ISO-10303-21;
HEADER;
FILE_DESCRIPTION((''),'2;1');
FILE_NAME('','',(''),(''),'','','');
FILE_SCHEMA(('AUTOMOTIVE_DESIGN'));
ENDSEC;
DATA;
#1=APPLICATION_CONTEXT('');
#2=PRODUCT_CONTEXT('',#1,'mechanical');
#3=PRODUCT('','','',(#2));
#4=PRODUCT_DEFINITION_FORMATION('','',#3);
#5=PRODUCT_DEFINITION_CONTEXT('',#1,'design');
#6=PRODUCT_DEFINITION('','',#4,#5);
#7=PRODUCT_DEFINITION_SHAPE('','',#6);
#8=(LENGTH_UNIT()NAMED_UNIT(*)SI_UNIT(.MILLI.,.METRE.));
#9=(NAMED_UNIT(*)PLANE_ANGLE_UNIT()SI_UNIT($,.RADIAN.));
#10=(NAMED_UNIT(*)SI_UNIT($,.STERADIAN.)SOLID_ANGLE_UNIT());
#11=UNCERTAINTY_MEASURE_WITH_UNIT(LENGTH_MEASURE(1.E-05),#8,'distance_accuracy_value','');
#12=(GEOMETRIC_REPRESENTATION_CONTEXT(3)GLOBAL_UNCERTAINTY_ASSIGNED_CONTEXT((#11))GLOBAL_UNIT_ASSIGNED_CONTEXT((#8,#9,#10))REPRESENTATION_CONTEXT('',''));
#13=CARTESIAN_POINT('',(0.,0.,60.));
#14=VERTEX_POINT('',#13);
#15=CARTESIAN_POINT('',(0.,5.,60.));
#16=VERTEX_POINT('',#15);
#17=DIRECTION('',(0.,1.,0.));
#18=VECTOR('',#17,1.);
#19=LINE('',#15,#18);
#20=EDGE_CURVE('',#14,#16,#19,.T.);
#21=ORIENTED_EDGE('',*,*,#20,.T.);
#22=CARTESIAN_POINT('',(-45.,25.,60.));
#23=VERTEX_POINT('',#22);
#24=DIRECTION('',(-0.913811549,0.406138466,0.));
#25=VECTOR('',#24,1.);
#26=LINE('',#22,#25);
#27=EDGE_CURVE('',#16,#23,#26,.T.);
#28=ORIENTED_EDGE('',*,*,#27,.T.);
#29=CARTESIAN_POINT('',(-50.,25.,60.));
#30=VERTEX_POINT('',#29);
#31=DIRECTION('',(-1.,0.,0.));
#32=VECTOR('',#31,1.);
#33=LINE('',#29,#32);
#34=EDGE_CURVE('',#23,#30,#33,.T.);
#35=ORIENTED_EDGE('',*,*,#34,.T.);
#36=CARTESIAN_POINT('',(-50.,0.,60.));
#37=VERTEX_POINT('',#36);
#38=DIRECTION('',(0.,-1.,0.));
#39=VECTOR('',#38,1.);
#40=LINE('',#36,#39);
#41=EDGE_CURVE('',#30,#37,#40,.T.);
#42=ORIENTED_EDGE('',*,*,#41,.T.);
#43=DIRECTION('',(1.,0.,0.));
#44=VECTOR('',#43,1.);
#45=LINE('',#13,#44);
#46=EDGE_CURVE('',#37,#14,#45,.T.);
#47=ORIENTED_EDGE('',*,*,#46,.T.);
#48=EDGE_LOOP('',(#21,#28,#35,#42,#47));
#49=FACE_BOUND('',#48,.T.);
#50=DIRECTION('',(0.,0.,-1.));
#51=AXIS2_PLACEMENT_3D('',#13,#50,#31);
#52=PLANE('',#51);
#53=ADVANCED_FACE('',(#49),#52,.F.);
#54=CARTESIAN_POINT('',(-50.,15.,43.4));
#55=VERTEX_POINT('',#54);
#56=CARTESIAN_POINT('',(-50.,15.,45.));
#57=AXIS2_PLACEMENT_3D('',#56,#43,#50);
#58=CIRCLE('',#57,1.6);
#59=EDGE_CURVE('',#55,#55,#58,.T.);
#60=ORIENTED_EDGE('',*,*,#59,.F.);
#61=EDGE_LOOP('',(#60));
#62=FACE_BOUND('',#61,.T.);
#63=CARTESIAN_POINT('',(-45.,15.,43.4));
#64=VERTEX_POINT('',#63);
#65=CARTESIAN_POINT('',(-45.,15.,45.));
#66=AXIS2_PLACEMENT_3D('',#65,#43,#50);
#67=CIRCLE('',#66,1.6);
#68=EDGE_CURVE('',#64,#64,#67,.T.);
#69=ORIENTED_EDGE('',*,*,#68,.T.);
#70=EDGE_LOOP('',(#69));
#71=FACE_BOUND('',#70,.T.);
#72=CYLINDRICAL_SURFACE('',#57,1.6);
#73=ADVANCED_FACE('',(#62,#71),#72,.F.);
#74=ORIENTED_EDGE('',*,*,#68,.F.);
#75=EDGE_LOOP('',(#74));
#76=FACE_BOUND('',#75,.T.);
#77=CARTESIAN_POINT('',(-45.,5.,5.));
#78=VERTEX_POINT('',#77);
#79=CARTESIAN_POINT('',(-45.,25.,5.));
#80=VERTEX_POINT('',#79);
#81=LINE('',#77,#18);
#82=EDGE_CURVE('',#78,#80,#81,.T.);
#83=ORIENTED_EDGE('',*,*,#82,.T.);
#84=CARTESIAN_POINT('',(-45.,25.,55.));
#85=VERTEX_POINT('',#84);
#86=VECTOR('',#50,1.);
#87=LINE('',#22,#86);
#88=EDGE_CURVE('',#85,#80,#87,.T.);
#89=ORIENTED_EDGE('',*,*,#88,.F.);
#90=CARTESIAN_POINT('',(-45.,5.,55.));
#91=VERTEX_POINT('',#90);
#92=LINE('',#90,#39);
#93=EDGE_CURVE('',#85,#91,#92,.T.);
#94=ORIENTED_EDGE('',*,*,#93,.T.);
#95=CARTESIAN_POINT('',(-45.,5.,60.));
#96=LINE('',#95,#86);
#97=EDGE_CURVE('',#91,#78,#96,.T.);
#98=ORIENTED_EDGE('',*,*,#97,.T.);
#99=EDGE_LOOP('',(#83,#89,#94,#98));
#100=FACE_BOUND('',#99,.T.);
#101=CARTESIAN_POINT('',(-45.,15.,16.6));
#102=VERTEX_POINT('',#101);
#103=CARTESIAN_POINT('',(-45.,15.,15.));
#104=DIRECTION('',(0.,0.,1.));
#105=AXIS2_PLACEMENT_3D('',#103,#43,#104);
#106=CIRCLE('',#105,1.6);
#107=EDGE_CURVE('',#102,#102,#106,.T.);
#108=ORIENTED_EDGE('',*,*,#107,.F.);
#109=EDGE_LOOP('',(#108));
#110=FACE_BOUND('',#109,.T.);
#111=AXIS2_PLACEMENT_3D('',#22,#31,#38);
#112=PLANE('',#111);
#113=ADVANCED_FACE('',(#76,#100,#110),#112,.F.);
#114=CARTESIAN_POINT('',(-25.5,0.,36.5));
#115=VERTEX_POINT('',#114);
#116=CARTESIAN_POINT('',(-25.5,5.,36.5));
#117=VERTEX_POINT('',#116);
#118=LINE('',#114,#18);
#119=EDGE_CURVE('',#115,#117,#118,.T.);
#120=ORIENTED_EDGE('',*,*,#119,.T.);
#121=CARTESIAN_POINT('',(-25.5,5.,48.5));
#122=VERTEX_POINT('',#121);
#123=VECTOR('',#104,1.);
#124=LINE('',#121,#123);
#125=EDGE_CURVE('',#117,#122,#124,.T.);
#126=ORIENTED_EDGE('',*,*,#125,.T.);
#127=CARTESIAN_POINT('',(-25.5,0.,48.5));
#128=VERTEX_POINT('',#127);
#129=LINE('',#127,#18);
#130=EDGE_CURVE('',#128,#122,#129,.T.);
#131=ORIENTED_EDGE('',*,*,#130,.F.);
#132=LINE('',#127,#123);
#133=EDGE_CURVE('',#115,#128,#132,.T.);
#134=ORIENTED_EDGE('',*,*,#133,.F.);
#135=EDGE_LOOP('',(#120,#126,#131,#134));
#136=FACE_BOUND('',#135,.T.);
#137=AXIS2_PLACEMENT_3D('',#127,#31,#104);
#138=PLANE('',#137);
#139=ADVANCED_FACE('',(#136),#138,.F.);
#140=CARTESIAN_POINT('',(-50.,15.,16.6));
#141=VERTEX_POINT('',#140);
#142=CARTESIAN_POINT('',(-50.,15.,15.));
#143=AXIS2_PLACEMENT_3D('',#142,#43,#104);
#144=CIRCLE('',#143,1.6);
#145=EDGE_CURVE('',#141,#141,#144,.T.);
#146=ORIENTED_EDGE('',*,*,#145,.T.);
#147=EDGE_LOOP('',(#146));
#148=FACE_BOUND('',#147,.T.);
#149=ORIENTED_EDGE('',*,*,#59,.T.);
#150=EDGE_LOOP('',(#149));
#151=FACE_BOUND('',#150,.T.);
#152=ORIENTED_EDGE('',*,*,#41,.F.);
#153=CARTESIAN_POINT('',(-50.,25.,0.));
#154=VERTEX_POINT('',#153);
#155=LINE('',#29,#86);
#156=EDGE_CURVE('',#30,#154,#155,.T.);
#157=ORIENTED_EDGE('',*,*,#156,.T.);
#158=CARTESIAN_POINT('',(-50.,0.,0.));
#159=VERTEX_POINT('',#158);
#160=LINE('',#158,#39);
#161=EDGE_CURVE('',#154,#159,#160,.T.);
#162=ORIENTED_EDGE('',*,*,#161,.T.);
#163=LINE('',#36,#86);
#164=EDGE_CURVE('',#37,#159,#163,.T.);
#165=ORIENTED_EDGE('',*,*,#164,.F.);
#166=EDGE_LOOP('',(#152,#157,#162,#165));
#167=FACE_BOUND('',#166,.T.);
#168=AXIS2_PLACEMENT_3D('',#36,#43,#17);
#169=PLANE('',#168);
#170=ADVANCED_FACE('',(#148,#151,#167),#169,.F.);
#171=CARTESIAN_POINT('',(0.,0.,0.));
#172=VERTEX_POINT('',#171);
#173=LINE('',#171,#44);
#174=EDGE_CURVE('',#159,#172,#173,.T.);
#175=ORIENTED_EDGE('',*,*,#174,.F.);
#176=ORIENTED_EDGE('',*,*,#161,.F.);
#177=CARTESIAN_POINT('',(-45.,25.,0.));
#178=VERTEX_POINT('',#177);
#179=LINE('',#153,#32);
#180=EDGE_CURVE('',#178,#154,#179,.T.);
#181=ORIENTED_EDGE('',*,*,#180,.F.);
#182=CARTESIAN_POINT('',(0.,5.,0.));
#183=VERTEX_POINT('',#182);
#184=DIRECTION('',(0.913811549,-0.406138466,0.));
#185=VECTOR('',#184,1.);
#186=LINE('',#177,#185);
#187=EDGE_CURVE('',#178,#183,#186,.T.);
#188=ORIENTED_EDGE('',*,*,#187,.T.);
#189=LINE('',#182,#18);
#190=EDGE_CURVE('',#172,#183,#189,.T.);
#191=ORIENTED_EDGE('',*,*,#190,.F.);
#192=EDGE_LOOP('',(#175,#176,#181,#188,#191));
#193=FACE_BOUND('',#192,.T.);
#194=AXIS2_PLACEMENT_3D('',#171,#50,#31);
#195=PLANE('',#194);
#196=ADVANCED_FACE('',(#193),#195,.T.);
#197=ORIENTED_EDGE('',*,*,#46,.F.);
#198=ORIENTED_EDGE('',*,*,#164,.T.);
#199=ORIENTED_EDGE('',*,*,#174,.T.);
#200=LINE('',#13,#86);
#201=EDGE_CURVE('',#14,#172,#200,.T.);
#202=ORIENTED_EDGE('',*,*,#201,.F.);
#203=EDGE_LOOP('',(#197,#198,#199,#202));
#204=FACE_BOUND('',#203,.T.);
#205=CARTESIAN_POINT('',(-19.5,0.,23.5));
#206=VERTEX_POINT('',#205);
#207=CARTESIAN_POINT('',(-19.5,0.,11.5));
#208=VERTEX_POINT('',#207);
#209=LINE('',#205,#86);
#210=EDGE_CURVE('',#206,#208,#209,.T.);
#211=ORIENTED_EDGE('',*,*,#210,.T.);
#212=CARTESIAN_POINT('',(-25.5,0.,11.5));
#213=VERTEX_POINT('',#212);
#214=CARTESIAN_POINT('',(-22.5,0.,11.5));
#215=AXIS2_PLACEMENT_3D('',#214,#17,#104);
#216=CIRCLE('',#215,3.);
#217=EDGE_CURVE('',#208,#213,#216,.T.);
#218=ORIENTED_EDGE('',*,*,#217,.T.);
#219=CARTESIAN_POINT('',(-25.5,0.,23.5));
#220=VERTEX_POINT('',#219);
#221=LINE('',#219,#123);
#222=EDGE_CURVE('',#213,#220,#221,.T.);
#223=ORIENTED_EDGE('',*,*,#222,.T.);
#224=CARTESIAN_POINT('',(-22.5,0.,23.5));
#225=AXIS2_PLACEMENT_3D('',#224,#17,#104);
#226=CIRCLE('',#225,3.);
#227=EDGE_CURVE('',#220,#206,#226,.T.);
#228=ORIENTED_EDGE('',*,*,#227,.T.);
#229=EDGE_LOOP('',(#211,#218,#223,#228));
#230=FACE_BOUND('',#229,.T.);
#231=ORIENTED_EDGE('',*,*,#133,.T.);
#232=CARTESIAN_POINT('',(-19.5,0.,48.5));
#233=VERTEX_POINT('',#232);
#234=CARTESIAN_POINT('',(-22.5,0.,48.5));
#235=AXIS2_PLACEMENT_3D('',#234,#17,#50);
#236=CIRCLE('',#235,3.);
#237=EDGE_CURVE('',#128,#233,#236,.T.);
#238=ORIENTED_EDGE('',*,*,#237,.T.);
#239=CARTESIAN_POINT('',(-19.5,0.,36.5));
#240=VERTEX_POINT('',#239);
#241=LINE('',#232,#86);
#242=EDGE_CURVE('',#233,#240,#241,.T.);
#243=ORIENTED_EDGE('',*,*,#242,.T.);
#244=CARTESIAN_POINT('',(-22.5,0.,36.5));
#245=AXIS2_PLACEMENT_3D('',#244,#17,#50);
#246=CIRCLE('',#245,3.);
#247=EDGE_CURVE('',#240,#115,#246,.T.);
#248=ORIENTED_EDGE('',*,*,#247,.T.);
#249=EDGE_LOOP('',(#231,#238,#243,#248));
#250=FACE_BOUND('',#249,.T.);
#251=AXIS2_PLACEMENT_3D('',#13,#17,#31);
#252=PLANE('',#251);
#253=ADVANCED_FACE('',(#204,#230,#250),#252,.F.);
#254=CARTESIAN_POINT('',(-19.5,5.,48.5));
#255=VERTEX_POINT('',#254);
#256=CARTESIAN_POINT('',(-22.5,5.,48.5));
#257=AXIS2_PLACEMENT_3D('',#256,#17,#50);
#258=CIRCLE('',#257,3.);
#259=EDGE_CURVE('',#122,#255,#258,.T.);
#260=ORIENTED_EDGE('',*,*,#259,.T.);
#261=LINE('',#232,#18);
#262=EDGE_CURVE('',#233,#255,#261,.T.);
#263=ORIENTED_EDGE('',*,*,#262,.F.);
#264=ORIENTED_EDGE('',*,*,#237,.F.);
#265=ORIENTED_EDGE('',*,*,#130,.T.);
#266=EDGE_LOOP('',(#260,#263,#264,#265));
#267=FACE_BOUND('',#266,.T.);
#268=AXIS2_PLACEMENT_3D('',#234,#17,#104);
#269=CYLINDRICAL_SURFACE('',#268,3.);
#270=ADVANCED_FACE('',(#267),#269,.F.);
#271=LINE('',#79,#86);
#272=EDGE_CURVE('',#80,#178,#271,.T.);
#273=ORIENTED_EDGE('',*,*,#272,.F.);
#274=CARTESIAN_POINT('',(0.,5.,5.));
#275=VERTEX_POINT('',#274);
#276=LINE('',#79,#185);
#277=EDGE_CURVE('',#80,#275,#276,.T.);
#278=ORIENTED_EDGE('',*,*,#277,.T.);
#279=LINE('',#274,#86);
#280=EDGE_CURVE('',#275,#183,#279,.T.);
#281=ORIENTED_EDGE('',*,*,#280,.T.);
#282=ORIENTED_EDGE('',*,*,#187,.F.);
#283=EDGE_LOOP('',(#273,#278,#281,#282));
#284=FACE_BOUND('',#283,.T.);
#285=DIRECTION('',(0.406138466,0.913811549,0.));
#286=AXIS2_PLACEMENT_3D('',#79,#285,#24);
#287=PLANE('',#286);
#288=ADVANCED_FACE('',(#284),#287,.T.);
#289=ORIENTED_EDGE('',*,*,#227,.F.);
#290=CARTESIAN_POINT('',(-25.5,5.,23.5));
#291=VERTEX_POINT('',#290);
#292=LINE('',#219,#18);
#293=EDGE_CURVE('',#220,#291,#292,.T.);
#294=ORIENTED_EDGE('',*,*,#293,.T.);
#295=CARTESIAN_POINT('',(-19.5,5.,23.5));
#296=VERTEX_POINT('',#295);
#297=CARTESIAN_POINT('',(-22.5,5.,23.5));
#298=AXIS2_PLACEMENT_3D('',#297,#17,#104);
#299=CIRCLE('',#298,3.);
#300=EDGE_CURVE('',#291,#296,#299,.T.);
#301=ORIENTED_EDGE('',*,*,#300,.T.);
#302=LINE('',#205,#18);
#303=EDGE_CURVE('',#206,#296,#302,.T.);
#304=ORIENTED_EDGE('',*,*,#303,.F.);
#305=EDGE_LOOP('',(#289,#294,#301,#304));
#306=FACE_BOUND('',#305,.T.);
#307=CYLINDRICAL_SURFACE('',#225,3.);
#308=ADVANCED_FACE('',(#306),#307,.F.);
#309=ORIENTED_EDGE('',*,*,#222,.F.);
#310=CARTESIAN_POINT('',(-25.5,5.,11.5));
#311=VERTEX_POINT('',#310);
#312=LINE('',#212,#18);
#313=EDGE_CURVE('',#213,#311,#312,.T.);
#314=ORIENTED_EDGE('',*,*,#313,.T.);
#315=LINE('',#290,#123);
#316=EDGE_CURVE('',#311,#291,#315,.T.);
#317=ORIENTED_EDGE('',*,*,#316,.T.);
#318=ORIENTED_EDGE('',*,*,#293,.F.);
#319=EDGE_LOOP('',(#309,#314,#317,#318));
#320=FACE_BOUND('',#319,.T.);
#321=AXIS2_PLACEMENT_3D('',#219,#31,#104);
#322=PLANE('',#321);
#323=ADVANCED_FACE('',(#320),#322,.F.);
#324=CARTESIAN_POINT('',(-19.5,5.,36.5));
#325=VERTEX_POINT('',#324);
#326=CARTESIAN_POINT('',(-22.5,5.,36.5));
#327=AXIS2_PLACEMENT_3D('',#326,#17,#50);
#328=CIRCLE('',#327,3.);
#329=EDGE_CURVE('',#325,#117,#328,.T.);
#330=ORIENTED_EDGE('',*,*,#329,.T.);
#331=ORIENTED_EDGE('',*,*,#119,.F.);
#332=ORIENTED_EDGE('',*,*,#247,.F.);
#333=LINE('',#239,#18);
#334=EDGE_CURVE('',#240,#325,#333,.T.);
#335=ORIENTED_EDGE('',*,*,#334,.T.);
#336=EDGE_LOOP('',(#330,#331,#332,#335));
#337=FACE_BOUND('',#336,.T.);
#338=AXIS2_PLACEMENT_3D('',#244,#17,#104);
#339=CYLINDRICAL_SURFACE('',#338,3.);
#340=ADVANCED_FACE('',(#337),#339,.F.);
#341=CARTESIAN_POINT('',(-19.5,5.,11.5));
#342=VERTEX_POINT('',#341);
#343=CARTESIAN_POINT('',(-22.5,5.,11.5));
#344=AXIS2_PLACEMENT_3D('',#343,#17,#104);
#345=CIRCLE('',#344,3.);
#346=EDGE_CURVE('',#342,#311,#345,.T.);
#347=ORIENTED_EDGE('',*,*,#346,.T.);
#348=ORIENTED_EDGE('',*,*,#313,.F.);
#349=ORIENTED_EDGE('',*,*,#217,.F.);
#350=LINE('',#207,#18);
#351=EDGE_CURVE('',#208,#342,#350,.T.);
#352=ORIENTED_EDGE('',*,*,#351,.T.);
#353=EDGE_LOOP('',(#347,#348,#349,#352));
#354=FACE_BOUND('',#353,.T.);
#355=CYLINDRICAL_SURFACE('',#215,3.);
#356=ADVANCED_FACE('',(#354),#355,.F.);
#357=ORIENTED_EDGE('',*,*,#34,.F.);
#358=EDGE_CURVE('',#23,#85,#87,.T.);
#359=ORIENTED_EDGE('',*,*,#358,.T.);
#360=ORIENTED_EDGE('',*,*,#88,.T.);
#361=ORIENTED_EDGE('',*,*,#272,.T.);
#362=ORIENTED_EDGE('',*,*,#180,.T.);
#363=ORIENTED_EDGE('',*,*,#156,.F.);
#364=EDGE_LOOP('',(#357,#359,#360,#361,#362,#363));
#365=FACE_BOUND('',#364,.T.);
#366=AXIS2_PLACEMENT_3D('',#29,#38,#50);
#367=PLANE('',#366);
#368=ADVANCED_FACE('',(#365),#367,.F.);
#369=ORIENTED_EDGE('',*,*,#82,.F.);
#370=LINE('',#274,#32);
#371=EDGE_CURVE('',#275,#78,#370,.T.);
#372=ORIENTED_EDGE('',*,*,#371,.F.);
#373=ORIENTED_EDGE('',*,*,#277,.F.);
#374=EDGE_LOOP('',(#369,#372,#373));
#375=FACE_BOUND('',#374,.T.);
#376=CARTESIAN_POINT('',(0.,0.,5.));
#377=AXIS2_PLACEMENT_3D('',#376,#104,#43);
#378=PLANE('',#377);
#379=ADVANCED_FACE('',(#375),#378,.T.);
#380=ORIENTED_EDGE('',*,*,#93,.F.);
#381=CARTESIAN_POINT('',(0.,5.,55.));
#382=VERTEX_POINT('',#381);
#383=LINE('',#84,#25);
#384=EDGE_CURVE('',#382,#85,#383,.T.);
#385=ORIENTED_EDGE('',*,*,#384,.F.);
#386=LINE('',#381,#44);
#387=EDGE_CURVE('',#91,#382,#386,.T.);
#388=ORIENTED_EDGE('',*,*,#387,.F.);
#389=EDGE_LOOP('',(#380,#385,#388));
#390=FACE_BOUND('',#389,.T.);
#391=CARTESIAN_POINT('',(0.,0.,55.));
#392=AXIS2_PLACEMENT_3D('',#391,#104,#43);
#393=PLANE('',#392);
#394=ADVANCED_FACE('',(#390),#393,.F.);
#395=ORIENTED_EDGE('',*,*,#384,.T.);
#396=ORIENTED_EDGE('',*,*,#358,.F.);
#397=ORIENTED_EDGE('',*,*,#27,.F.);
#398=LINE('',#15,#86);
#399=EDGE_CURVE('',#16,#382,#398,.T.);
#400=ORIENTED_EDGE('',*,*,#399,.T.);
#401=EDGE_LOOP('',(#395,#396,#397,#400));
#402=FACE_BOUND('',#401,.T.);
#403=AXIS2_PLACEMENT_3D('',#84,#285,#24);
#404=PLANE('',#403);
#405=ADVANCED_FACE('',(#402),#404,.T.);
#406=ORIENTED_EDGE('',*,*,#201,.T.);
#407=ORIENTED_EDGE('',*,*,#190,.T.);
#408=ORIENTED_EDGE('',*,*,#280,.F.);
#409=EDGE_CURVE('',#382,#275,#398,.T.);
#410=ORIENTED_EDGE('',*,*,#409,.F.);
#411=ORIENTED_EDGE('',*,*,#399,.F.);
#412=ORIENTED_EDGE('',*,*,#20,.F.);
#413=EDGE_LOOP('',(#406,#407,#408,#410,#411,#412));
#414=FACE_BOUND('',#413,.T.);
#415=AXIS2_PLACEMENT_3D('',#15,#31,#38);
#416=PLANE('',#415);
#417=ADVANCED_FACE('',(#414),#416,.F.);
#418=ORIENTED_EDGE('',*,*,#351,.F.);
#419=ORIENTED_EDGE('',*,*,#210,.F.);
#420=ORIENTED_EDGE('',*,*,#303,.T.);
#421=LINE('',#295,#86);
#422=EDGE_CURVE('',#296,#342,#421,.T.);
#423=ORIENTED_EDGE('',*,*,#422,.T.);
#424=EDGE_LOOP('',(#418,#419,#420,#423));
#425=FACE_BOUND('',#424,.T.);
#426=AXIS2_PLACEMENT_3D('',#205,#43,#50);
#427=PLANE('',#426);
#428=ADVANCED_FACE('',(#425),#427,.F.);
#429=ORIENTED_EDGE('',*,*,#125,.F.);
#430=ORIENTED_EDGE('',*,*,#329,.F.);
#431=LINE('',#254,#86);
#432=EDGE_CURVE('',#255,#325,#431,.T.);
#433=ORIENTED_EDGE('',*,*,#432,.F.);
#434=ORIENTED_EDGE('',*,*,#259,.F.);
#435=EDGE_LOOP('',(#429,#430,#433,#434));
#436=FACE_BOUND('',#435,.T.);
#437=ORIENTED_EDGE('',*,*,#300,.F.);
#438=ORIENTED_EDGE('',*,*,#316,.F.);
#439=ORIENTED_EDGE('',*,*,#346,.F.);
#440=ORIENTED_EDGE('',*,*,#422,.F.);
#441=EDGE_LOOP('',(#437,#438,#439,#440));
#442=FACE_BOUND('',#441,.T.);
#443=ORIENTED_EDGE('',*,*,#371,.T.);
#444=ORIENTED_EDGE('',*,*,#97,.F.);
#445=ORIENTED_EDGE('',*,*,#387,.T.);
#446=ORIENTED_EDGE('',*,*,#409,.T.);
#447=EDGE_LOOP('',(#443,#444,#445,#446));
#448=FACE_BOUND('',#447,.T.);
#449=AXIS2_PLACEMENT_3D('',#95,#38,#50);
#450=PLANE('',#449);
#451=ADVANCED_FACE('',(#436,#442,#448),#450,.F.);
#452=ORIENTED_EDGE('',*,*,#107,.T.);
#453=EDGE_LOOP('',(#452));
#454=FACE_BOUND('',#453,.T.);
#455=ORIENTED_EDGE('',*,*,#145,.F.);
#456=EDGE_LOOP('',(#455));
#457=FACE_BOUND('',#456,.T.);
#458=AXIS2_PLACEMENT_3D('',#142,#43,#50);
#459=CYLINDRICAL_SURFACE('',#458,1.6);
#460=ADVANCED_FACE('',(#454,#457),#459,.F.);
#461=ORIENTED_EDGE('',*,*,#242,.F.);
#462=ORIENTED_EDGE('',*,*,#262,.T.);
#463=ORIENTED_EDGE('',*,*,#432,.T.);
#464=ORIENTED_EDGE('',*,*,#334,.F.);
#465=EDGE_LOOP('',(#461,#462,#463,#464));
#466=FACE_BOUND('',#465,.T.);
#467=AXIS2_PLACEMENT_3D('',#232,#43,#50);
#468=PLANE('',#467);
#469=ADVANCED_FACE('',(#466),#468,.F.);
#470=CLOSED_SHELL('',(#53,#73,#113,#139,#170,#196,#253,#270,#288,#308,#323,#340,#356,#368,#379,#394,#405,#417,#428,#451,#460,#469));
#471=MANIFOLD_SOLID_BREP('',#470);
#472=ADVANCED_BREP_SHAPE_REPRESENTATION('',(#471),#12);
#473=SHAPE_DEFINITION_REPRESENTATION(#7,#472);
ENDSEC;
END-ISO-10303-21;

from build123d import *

# Parameters (mm, degrees)
BOSS_EXTRUDE1_DEPTH = 60
BOSS_EXTRUDE2_DEPTH = 5
BOSS_EXTRUDE3_DEPTH = 5
SKETCH4_R           = 1.6
CUT_EXTRUDE1_DEPTH  = 5
CUT_EXTRUDE2_DEPTH  = 5


with BuildPart() as part:
    # Sketch1 → Boss-Extrude1 (new body)
    with BuildSketch(Plane.XY):
        Polygon((0, 0), (-50, 0), (-50, 25), (-45, 25), (-45, 5), (0, 5), align=None)
    extrude(amount=BOSS_EXTRUDE1_DEPTH)

    # Sketch2 → Boss-Extrude2 (add)
    with BuildSketch(Plane.XY.offset(60)):
        Polygon((-45, 25), (0, 5), (-45, 5), align=None)
    extrude(amount=-BOSS_EXTRUDE2_DEPTH)

    # Sketch3 → Boss-Extrude3 (add)
    with BuildSketch(Plane(origin=(0, 0, 0), x_dir=(-1, 0, 0), z_dir=(0, 0, -1))):
        Polygon((45, 25), (0, 5), (45, 5), align=None)
    extrude(amount=-BOSS_EXTRUDE3_DEPTH)

    # Sketch4 → Cut-Extrude1 (cut)
    with BuildSketch(Plane(origin=(-45, 0, 0), x_dir=(0, 0, -1), z_dir=(1, 0, 0))):
        with Locations((-45, 15)):
            Circle(SKETCH4_R)
        with Locations((-15, 15)):
            Circle(SKETCH4_R)
    extrude(amount=-CUT_EXTRUDE1_DEPTH, mode=Mode.SUBTRACT)

    # Sketch5 → Cut-Extrude2 (cut)
    with BuildSketch(Plane(origin=(0, 5, 0), x_dir=(1, 0, 0), z_dir=(0, 1, 0))):
        with BuildLine():
            Line((-25.5, -23.5), (-25.5, -11.5))
            ThreePointArc((-25.5, -11.5), (-22.5, -8.5), (-19.5, -11.5))
            Line((-19.5, -11.5), (-19.5, -23.5))
            ThreePointArc((-19.5, -23.5), (-22.5, -26.5), (-25.5, -23.5))
        make_face()
        with BuildLine():
            Line((-19.5, -48.5), (-19.5, -36.5))
            ThreePointArc((-19.5, -36.5), (-22.5, -33.5), (-25.5, -36.5))
            Line((-25.5, -36.5), (-25.5, -48.5))
            ThreePointArc((-25.5, -48.5), (-22.5, -51.5), (-19.5, -48.5))
        make_face()
    extrude(amount=-CUT_EXTRUDE2_DEPTH, mode=Mode.SUBTRACT)


solid = part.part
